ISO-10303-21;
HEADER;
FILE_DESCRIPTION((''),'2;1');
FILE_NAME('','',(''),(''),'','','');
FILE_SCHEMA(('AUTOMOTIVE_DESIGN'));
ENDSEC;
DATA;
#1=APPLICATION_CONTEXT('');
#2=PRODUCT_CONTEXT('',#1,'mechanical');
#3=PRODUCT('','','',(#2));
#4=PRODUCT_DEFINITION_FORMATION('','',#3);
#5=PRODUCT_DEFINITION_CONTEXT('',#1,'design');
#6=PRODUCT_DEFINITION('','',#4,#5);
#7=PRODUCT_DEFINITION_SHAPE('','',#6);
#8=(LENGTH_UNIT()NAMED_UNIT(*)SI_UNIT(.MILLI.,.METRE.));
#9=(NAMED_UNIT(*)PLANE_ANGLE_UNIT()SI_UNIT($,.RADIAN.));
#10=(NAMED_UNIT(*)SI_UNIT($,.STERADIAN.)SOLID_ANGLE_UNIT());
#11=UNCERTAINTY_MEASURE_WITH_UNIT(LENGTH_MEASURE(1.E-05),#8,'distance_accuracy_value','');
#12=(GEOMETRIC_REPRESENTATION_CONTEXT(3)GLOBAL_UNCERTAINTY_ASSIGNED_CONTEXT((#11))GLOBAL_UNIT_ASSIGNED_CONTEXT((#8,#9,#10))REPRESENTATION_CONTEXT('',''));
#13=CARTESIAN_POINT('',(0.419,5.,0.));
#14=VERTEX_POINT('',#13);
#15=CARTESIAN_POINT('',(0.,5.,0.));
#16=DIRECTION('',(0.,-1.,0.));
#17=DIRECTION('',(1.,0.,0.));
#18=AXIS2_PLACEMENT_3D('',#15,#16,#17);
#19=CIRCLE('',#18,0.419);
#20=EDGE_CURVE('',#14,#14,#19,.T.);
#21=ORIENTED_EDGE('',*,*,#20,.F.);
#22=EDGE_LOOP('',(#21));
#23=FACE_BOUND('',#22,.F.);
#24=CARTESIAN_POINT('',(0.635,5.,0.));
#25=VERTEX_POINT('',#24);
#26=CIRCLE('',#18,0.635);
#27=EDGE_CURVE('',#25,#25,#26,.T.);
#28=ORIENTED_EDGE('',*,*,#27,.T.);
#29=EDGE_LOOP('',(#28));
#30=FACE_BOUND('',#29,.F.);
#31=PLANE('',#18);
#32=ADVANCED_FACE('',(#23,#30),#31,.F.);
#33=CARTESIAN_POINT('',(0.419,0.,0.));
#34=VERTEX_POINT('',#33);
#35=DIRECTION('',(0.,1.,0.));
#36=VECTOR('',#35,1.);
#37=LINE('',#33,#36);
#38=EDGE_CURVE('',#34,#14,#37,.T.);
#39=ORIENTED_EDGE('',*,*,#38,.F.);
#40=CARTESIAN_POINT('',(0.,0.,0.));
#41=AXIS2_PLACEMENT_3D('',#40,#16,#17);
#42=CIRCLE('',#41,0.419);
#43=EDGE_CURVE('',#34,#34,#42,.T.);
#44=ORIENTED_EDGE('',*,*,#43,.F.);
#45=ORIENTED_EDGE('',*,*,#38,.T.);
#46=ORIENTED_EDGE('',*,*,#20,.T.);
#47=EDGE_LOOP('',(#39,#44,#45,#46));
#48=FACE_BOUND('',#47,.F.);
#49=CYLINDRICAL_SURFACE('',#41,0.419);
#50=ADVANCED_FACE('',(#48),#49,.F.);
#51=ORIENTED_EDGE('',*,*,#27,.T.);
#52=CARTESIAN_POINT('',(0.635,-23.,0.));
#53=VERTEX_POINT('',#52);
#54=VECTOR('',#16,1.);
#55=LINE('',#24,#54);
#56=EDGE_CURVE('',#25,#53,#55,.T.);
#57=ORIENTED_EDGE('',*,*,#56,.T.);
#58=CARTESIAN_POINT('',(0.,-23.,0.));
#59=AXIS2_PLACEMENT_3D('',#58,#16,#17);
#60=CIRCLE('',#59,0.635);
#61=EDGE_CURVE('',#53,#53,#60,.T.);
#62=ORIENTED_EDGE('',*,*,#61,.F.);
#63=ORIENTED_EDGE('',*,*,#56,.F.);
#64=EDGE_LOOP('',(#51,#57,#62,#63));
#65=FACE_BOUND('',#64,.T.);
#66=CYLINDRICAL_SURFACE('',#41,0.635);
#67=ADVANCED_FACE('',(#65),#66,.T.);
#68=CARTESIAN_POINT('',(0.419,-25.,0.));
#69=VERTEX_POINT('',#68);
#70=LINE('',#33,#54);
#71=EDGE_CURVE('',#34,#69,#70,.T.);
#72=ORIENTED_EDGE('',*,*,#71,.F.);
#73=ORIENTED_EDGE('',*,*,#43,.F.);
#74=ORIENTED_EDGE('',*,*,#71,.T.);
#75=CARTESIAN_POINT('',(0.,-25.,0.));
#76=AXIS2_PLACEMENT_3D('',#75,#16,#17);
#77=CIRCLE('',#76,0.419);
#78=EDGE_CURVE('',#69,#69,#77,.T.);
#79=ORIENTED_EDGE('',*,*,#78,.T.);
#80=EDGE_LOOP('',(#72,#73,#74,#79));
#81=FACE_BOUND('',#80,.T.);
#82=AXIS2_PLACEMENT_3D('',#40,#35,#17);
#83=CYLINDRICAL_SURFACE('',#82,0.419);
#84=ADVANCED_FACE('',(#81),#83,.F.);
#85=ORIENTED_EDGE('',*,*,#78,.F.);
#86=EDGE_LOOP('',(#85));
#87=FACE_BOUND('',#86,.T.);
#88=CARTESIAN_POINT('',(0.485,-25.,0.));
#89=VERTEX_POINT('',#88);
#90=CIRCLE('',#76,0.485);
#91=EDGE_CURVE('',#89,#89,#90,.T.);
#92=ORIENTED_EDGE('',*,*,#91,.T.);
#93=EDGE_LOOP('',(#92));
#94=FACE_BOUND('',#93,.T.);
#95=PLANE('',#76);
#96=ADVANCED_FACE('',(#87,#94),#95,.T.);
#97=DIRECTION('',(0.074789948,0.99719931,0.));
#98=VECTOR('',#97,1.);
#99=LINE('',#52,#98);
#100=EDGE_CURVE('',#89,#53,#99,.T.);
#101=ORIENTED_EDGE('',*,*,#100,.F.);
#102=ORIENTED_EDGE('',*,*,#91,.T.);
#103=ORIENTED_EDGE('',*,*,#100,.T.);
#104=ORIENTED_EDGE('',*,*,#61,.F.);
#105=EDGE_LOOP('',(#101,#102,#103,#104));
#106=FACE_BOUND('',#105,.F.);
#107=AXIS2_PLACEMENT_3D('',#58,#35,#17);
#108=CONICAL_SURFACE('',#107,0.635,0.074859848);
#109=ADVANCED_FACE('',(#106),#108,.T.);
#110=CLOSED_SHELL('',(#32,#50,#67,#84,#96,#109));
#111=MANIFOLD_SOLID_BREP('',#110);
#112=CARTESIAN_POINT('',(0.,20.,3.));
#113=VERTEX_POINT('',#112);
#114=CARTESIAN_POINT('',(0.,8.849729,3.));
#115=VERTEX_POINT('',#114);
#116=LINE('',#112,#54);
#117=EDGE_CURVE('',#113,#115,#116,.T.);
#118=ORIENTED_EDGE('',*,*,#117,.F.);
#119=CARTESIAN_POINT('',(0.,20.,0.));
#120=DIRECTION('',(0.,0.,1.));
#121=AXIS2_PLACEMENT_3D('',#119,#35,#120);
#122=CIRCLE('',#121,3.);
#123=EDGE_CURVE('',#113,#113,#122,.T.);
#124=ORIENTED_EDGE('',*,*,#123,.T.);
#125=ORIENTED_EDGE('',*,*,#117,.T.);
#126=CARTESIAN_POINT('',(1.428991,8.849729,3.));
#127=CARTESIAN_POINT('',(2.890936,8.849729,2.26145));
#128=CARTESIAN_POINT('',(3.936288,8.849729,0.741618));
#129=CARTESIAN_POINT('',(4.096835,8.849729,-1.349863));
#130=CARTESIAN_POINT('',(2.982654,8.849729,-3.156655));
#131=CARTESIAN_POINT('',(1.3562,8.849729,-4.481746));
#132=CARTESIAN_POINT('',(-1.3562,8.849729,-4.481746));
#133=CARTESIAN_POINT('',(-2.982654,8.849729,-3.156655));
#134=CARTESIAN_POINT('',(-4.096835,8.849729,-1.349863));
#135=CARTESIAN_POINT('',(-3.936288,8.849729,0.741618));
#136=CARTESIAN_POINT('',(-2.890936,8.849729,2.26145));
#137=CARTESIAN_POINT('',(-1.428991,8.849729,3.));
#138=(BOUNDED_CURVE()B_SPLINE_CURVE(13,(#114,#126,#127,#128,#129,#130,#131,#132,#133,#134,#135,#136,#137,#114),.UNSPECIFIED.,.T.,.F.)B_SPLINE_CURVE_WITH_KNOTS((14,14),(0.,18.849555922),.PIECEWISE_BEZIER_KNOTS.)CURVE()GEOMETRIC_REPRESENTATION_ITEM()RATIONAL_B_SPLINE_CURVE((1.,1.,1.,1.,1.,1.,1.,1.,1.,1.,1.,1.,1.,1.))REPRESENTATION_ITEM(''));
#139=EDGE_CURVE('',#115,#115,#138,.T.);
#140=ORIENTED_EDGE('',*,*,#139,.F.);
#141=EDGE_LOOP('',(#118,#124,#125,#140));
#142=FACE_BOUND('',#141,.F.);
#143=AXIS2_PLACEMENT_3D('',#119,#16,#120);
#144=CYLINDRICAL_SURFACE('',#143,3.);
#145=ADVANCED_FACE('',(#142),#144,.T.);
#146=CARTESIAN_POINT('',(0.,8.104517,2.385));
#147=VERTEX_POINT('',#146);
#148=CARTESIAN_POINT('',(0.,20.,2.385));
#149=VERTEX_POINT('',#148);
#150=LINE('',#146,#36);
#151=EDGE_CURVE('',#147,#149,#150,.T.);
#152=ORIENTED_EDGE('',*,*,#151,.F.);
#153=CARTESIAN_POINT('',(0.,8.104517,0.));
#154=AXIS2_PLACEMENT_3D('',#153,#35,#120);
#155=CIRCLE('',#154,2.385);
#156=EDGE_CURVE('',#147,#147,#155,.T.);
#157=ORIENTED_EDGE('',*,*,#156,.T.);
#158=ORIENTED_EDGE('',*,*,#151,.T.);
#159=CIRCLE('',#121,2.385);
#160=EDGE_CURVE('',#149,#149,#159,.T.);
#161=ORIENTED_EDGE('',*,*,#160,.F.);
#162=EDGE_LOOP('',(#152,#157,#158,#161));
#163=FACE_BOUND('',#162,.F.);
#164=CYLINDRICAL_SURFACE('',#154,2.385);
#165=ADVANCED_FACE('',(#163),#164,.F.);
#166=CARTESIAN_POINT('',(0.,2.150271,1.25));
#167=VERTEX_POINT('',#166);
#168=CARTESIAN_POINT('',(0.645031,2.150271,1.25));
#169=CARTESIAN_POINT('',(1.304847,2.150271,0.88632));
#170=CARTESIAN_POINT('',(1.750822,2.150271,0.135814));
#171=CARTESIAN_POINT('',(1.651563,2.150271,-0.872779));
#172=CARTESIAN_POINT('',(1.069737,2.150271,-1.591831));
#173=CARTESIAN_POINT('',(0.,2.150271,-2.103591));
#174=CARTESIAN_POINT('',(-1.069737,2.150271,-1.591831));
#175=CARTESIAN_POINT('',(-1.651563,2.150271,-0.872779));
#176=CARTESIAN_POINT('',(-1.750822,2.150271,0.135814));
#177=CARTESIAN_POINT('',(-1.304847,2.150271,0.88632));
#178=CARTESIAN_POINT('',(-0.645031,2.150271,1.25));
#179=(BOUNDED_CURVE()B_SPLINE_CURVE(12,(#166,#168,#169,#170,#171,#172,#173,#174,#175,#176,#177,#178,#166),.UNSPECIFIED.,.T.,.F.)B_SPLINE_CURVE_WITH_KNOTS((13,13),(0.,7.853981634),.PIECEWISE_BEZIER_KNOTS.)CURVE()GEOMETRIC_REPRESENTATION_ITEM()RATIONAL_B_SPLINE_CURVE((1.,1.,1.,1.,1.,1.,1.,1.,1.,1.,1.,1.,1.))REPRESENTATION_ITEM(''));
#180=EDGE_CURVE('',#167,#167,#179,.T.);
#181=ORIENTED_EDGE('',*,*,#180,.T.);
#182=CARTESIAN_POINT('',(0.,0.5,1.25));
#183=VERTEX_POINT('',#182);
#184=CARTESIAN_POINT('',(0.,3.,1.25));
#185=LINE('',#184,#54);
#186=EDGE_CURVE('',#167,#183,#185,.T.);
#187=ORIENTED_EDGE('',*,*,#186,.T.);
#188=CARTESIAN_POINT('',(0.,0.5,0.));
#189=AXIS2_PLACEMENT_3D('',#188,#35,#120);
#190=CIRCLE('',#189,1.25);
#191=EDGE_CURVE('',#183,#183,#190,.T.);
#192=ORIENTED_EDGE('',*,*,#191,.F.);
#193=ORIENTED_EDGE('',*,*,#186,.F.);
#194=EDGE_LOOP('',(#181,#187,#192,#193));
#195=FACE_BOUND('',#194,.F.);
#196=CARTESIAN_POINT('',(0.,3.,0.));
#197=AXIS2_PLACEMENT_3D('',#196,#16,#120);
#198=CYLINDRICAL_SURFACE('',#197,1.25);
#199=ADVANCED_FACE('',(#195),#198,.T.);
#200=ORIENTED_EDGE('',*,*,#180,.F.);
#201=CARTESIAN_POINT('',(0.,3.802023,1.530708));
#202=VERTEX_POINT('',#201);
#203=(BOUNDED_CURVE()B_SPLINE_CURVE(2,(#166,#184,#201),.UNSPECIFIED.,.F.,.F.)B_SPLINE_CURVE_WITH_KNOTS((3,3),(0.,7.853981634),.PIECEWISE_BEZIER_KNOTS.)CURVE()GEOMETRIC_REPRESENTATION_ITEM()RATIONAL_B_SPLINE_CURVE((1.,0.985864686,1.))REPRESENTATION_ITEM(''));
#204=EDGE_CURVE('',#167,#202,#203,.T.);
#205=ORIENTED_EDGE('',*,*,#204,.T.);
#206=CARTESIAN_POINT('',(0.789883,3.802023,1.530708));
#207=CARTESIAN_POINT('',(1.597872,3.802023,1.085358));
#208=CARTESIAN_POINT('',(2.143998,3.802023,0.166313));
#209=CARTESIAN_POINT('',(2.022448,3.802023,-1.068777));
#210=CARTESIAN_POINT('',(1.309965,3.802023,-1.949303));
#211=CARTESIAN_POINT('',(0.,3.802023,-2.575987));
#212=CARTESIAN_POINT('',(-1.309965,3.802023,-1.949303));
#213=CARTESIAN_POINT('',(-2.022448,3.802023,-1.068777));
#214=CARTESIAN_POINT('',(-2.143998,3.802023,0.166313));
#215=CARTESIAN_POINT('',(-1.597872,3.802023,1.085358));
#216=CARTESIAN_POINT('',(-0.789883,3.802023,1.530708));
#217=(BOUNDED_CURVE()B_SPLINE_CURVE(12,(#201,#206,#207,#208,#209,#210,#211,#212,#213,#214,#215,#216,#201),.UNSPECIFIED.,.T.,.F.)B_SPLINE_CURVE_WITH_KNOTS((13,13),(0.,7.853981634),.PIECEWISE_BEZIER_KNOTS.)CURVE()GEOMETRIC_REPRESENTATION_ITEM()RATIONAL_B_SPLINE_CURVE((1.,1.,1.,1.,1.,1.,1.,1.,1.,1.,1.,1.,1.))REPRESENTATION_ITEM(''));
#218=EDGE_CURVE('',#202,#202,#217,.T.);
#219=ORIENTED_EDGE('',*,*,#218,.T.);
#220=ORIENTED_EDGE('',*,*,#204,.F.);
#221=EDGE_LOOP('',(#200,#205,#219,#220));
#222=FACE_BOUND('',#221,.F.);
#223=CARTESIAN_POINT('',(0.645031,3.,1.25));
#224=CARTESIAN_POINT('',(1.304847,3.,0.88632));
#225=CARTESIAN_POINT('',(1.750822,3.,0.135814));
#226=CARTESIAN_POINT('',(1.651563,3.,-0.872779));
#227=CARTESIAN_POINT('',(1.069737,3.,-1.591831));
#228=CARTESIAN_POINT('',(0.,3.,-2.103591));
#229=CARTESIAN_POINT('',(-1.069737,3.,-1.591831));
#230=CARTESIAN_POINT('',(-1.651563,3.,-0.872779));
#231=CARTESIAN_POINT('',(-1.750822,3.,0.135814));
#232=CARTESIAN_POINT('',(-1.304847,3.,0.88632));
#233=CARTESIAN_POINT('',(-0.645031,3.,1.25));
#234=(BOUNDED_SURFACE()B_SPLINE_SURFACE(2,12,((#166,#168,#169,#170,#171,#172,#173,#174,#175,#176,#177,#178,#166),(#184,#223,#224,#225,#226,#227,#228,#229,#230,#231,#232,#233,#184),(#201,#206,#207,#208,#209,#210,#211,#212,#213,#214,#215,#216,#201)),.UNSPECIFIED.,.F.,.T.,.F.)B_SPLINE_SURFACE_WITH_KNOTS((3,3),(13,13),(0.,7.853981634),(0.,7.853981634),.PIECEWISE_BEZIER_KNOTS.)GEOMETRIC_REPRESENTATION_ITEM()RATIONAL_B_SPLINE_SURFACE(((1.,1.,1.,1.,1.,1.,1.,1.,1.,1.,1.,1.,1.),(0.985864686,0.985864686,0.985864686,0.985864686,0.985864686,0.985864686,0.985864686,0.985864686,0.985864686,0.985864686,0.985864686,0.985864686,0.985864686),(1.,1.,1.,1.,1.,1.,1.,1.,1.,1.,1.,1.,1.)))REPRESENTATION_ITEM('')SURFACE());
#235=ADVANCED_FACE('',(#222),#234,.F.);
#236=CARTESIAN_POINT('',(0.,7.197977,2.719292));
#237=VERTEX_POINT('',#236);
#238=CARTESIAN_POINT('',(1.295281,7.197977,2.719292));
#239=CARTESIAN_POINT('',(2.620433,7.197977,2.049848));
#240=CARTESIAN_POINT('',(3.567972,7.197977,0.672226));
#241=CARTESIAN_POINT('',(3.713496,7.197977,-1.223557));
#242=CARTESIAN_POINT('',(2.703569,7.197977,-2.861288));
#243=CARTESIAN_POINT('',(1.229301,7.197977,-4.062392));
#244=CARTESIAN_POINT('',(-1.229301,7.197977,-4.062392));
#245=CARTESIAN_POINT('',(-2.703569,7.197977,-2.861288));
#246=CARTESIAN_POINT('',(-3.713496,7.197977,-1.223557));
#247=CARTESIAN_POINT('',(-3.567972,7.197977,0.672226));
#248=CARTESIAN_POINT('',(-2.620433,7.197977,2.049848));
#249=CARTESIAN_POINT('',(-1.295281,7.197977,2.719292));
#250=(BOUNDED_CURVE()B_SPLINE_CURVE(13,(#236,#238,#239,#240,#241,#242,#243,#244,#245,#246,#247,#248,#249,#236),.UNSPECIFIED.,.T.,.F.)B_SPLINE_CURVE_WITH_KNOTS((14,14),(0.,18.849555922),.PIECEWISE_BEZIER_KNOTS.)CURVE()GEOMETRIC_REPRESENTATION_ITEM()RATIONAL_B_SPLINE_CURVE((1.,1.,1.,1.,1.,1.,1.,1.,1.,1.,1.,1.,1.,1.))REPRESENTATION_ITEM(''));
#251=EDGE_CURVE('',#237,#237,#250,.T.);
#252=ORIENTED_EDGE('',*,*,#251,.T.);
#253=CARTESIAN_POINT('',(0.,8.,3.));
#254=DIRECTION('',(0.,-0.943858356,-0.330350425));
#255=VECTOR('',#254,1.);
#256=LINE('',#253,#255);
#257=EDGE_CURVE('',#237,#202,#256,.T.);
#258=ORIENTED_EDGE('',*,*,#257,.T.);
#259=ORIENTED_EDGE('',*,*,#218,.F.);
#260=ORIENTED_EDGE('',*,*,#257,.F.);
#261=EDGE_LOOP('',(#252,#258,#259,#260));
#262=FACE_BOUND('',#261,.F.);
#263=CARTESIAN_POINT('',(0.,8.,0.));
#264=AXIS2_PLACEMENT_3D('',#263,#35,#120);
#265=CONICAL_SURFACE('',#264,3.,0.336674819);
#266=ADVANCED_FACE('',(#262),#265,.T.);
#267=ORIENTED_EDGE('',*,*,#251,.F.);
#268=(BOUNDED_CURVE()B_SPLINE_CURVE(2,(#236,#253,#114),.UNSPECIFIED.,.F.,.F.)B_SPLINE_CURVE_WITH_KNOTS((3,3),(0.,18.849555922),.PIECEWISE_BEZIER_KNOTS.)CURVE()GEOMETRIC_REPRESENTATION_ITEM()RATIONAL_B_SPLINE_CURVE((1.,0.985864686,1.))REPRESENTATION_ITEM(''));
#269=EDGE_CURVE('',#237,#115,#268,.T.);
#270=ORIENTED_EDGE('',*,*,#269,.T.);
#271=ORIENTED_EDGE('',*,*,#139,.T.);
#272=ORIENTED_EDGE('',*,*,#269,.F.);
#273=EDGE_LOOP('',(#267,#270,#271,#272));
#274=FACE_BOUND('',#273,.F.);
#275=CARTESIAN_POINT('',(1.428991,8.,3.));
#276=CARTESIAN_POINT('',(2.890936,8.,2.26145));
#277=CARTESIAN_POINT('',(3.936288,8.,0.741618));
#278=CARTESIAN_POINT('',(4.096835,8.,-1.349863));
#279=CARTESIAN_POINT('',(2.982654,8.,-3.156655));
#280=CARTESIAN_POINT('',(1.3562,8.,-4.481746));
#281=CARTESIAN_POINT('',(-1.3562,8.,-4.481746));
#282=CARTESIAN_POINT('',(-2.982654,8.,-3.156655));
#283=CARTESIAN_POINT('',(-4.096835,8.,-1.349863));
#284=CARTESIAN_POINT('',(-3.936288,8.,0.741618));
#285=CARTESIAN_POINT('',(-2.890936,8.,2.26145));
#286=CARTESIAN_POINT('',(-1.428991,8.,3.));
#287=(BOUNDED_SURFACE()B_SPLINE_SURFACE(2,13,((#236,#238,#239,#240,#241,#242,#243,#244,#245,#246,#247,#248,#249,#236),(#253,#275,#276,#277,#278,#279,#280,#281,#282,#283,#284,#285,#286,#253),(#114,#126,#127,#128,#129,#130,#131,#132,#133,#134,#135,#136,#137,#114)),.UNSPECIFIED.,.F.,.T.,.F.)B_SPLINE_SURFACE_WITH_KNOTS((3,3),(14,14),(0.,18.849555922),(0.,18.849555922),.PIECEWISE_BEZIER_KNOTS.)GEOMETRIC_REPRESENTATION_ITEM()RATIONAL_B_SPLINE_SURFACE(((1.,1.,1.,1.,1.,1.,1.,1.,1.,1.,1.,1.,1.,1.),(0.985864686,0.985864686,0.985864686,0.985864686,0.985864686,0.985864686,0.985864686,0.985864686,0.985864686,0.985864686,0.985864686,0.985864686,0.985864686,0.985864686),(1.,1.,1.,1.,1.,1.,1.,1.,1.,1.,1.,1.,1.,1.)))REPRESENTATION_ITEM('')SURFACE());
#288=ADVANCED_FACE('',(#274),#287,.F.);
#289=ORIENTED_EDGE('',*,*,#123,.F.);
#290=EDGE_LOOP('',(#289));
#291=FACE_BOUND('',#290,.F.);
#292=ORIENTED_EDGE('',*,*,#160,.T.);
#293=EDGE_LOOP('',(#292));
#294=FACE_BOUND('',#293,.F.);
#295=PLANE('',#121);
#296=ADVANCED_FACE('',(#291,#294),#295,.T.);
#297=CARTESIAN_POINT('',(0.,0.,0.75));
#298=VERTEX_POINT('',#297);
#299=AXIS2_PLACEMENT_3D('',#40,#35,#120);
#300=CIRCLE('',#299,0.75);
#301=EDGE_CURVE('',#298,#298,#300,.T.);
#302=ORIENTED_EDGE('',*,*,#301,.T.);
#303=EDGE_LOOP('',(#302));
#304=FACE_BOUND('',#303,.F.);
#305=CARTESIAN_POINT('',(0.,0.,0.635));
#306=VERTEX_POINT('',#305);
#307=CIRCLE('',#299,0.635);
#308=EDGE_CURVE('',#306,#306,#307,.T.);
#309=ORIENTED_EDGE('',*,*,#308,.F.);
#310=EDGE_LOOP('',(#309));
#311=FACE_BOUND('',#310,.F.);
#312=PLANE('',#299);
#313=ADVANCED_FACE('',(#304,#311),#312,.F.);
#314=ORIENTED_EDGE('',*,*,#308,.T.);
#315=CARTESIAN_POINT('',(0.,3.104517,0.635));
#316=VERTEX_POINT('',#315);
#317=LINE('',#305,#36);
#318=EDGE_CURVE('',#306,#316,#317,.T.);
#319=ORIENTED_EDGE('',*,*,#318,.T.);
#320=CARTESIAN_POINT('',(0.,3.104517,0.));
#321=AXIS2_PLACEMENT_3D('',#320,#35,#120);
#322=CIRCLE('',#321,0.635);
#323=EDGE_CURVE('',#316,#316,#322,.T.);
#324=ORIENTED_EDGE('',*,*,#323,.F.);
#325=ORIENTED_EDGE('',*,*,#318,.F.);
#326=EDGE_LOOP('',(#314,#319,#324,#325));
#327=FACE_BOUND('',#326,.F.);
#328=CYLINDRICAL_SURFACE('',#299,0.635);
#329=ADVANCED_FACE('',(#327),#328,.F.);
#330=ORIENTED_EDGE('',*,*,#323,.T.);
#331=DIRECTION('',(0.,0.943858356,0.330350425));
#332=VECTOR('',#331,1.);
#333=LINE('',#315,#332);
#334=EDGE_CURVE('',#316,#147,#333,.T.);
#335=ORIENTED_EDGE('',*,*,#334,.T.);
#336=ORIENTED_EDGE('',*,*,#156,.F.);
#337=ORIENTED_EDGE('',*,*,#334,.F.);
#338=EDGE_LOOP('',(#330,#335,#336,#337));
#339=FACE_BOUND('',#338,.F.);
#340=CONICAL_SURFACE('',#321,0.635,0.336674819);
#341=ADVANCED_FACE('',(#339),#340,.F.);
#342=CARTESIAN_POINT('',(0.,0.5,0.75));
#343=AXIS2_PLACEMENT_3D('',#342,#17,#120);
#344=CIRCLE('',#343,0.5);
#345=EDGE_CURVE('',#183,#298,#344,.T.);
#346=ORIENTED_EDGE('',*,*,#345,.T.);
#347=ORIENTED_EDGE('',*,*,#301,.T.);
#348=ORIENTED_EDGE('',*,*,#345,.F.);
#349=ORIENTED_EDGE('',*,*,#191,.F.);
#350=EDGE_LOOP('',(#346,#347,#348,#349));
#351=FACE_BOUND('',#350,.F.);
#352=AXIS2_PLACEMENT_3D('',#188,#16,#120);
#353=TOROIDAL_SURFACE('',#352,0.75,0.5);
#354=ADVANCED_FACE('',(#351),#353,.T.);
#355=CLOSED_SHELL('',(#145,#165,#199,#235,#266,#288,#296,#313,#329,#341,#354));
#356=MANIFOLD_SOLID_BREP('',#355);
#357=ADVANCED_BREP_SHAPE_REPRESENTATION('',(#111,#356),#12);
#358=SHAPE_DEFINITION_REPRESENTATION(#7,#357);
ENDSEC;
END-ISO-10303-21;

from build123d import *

# Parameters (mm, degrees)
F0_R          = 0.635
F0_R_2        = 0.419
F1_DEPTH      = 25
F1_DEPTH_BACK = 5
F4_R          = 0.5
F5_R          = 5
F6_SIZE2      = 2
F6_SIZE       = 0.15


with BuildPart() as f1:
    # F0 (on Front) → F1 (new body, two sides)
    with BuildSketch(Plane.XZ) as f1_sk:
        Circle(F0_R)
        Circle(F0_R_2, mode=Mode.SUBTRACT)
    extrude(amount=F1_DEPTH)
    extrude(f1_sk.sketch, amount=-F1_DEPTH_BACK)

    # F6
    f6_edges = [f1.edges().sort_by_distance(p)[0] for p in [
        (-0.635, -25, 0),
    ]]
    f6_side = f1.faces().sort_by_distance((-0.617039, -25, 0))[0]
    chamfer(f6_edges, length=F6_SIZE, length2=F6_SIZE2, reference=f6_side)


with BuildPart() as f3:
    # F2 (on Right) → F3 (revolve)
    with BuildSketch(Plane.YZ):
        Polygon((3, 1.25), (0, 1.25), (0, 0.635), (3.1045166231, 0.635), (8.1045166231, 2.385), (20, 2.385), (20, 3), (8, 3), align=None)
    revolve(axis=Axis((0, 7.991485962, 0), (0, 1, 0)))

    # F4
    f4_edges = [f3.edges().sort_by_distance(p)[0] for p in [
        (0, 0, -1.25),
    ]]
    fillet(f4_edges, radius=F4_R)

    # F5
    f5_edges = [f3.edges().sort_by_distance(p)[0] for p in [
        (0, 8, -3),
        (0, 3, -1.25),
    ]]
    fillet(f5_edges, radius=F5_R)


solid = Compound([f1.part, f3.part])
